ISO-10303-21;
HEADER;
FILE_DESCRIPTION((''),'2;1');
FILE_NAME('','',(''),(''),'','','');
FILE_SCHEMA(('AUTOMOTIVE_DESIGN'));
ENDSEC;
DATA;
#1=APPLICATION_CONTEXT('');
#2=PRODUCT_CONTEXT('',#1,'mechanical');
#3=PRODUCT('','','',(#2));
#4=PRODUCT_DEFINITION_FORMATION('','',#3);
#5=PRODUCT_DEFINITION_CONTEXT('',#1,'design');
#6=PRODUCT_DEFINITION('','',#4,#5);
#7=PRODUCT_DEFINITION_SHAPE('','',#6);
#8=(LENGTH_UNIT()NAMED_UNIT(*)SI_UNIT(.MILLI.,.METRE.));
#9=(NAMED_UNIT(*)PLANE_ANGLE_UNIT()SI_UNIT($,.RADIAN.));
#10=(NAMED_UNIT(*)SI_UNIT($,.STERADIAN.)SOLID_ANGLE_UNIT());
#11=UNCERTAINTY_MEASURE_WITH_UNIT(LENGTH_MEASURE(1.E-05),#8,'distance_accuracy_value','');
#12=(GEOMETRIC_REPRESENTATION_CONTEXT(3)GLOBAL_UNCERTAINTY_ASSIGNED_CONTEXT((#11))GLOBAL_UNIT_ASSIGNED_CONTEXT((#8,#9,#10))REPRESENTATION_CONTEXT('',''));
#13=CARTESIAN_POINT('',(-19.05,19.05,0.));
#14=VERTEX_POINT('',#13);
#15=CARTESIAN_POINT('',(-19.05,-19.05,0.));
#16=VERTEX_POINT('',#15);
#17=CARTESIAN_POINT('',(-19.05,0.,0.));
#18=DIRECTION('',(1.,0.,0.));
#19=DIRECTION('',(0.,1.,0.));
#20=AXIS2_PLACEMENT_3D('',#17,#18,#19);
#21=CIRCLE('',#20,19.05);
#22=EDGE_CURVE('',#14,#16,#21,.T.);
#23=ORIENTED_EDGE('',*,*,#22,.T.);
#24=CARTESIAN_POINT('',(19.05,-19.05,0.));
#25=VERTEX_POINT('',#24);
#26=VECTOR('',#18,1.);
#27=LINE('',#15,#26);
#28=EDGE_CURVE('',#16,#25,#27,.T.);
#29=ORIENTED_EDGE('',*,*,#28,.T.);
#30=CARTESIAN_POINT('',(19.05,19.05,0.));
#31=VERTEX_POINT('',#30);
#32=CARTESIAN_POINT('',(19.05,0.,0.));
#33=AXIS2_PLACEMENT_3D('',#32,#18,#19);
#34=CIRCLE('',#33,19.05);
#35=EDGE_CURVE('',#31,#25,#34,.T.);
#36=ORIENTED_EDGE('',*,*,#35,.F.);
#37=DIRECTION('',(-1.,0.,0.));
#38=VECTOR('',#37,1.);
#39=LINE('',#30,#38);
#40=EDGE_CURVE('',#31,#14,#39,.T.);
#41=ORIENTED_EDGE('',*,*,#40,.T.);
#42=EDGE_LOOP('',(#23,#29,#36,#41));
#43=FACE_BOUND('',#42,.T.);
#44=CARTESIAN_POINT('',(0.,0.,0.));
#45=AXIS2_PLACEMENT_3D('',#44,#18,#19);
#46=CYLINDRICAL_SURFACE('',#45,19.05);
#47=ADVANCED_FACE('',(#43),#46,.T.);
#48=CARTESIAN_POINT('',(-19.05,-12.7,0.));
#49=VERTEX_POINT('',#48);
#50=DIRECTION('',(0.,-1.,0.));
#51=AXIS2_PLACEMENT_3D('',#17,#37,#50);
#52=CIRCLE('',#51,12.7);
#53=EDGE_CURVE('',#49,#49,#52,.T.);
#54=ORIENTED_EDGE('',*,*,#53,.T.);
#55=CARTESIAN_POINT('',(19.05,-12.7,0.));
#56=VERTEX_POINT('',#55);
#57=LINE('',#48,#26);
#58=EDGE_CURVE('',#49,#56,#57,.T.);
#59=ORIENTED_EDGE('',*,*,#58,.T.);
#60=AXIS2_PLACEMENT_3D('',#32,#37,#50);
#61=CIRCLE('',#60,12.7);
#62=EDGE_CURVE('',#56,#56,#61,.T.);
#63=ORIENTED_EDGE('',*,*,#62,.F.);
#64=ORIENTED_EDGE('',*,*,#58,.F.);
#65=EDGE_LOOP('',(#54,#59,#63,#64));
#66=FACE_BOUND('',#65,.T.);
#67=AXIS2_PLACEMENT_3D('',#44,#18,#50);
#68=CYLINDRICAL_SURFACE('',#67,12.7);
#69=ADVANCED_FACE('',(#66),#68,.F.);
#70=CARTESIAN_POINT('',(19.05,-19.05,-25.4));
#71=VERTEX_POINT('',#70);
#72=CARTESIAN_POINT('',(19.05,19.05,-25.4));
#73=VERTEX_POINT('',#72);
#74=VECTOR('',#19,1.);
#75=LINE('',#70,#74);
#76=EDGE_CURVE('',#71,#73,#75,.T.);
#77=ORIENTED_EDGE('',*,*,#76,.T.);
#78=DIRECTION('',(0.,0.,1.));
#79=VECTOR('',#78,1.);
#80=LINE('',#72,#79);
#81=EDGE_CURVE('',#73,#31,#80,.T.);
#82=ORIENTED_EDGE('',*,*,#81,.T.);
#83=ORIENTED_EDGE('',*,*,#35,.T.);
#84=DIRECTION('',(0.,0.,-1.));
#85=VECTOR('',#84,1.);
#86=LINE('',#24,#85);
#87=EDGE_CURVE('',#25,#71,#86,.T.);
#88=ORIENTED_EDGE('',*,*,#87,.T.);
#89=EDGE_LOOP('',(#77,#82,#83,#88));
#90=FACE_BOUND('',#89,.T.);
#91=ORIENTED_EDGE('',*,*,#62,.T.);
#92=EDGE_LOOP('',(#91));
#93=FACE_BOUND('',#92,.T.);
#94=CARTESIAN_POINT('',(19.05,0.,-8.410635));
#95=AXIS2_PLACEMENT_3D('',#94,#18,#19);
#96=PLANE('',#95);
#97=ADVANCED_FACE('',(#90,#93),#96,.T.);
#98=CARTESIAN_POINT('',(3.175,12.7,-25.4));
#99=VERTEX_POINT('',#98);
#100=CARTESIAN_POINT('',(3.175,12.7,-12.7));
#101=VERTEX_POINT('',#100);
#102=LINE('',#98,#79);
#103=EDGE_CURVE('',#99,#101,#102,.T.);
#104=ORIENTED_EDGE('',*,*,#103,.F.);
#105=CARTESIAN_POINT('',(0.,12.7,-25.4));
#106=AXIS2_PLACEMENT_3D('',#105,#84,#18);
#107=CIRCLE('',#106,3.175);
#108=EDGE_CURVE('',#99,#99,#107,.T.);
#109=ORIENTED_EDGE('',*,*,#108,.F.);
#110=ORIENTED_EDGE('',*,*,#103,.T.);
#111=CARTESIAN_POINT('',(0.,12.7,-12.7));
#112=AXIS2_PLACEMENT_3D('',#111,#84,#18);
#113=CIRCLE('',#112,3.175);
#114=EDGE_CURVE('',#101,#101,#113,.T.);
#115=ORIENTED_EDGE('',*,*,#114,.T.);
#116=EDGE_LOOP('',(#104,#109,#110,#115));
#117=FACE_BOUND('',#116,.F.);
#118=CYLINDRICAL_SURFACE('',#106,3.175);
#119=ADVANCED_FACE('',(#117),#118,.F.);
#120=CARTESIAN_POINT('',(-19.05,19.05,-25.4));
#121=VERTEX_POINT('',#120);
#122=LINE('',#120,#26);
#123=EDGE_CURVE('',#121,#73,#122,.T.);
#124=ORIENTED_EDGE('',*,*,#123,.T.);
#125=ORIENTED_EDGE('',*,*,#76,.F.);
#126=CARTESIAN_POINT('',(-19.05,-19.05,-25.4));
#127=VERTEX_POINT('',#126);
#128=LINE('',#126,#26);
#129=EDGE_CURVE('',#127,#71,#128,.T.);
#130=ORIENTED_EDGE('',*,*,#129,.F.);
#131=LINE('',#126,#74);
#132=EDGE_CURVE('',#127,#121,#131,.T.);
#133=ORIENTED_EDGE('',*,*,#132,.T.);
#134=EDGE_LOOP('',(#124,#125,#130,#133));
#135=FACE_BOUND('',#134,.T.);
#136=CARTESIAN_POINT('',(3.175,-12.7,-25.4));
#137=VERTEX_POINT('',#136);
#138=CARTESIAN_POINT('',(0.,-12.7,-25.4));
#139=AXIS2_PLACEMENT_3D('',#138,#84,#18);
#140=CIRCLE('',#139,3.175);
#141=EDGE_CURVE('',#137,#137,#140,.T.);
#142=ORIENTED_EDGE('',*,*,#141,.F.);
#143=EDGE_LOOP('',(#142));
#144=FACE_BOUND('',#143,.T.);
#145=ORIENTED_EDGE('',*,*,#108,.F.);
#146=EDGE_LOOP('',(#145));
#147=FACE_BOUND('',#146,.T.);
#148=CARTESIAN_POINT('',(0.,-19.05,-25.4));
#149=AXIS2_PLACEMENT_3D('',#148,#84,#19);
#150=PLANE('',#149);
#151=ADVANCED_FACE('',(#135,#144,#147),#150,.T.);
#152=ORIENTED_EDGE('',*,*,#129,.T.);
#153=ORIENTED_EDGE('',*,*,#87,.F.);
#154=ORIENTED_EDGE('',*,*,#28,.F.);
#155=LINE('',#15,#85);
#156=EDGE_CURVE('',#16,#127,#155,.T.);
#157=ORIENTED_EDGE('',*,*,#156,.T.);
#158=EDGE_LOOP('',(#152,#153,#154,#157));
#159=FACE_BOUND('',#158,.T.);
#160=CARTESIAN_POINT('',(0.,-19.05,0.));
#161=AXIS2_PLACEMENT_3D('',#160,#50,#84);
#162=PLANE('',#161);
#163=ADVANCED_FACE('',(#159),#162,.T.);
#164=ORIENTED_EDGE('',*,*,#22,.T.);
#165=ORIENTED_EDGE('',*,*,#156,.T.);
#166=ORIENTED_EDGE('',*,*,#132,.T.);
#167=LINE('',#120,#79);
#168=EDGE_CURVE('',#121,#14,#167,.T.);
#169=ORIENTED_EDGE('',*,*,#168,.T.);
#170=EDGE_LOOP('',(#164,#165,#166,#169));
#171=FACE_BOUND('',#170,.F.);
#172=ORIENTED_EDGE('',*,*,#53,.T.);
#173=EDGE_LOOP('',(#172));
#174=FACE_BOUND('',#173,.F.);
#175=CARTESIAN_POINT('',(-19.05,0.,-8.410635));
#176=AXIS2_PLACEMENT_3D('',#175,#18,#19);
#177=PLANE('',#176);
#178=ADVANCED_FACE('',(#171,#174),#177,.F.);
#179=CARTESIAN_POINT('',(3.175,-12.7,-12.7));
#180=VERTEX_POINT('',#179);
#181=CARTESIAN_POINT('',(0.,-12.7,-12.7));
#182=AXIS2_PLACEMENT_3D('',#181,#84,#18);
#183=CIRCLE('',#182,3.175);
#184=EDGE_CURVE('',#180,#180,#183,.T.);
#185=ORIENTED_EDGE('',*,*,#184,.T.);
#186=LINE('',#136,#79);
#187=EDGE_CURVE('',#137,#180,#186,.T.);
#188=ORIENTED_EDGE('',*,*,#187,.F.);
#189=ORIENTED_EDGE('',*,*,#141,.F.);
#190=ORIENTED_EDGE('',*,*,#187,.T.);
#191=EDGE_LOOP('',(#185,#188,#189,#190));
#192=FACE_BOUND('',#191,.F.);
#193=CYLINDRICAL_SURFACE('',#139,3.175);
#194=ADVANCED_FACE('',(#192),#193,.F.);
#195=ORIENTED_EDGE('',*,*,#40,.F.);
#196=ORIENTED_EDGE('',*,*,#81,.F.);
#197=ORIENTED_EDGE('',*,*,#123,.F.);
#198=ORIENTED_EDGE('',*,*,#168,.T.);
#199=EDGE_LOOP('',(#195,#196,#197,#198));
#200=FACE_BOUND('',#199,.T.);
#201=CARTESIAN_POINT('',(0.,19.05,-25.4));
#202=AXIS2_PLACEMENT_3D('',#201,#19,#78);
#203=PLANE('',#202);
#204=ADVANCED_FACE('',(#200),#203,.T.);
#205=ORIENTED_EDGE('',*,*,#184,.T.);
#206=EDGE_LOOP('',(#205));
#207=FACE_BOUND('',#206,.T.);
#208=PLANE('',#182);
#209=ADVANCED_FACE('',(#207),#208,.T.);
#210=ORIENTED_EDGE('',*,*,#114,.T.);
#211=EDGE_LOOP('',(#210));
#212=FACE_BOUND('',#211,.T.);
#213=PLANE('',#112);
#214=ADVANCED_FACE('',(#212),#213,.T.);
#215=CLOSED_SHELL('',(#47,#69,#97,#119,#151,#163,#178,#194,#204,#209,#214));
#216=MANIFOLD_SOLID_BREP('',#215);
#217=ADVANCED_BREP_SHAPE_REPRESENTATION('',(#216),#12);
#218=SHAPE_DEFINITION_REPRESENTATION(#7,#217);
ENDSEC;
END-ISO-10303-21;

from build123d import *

# Parameters (mm, degrees)
F1_DEPTH = 19.05
F2_R     = 3.175
F3_DEPTH = 12.7


with BuildPart() as f1:
    # F0 (on Right) → F1 (new body, symmetric)
    with BuildSketch(Plane.YZ):
        with BuildLine():
            Line((19.05, 0), (12.7, 0))
            ThreePointArc((12.7, 0), (0, -12.7), (-12.7, 0))
            Line((-12.7, 0), (-19.05, 0))
            ThreePointArc((-19.05, 0), (0, -19.05), (19.05, 0))
        make_face()
        with BuildLine():
            ThreePointArc((-12.7, 0), (0, 12.7), (12.7, 0))
            Line((12.7, 0), (19.05, 0))
            ThreePointArc((19.05, 0), (0, 19.05), (-19.05, 0))
            Line((-19.05, 0), (-12.7, 0))
        make_face()
        with BuildLine():
            Line((19.05, -25.4), (19.05, 0))
            ThreePointArc((19.05, 0), (0, -19.05), (-19.05, 0))
            Line((-19.05, 0), (-19.05, -25.4))
            Line((-19.05, -25.4), (19.05, -25.4))
        make_face()
    extrude(amount=F1_DEPTH, both=True)

    # F2 (on face) → F3 (cut)
    with BuildSketch(Plane(origin=(0, 0, -25.4), x_dir=(1, 0, 0), z_dir=(0, 0, -1))):
        with Locations((0, 12.7)):
            Circle(F2_R)
        with Locations((0, -12.7)):
            Circle(F2_R)
    extrude(amount=-F3_DEPTH, mode=Mode.SUBTRACT)


solid = f1.part
